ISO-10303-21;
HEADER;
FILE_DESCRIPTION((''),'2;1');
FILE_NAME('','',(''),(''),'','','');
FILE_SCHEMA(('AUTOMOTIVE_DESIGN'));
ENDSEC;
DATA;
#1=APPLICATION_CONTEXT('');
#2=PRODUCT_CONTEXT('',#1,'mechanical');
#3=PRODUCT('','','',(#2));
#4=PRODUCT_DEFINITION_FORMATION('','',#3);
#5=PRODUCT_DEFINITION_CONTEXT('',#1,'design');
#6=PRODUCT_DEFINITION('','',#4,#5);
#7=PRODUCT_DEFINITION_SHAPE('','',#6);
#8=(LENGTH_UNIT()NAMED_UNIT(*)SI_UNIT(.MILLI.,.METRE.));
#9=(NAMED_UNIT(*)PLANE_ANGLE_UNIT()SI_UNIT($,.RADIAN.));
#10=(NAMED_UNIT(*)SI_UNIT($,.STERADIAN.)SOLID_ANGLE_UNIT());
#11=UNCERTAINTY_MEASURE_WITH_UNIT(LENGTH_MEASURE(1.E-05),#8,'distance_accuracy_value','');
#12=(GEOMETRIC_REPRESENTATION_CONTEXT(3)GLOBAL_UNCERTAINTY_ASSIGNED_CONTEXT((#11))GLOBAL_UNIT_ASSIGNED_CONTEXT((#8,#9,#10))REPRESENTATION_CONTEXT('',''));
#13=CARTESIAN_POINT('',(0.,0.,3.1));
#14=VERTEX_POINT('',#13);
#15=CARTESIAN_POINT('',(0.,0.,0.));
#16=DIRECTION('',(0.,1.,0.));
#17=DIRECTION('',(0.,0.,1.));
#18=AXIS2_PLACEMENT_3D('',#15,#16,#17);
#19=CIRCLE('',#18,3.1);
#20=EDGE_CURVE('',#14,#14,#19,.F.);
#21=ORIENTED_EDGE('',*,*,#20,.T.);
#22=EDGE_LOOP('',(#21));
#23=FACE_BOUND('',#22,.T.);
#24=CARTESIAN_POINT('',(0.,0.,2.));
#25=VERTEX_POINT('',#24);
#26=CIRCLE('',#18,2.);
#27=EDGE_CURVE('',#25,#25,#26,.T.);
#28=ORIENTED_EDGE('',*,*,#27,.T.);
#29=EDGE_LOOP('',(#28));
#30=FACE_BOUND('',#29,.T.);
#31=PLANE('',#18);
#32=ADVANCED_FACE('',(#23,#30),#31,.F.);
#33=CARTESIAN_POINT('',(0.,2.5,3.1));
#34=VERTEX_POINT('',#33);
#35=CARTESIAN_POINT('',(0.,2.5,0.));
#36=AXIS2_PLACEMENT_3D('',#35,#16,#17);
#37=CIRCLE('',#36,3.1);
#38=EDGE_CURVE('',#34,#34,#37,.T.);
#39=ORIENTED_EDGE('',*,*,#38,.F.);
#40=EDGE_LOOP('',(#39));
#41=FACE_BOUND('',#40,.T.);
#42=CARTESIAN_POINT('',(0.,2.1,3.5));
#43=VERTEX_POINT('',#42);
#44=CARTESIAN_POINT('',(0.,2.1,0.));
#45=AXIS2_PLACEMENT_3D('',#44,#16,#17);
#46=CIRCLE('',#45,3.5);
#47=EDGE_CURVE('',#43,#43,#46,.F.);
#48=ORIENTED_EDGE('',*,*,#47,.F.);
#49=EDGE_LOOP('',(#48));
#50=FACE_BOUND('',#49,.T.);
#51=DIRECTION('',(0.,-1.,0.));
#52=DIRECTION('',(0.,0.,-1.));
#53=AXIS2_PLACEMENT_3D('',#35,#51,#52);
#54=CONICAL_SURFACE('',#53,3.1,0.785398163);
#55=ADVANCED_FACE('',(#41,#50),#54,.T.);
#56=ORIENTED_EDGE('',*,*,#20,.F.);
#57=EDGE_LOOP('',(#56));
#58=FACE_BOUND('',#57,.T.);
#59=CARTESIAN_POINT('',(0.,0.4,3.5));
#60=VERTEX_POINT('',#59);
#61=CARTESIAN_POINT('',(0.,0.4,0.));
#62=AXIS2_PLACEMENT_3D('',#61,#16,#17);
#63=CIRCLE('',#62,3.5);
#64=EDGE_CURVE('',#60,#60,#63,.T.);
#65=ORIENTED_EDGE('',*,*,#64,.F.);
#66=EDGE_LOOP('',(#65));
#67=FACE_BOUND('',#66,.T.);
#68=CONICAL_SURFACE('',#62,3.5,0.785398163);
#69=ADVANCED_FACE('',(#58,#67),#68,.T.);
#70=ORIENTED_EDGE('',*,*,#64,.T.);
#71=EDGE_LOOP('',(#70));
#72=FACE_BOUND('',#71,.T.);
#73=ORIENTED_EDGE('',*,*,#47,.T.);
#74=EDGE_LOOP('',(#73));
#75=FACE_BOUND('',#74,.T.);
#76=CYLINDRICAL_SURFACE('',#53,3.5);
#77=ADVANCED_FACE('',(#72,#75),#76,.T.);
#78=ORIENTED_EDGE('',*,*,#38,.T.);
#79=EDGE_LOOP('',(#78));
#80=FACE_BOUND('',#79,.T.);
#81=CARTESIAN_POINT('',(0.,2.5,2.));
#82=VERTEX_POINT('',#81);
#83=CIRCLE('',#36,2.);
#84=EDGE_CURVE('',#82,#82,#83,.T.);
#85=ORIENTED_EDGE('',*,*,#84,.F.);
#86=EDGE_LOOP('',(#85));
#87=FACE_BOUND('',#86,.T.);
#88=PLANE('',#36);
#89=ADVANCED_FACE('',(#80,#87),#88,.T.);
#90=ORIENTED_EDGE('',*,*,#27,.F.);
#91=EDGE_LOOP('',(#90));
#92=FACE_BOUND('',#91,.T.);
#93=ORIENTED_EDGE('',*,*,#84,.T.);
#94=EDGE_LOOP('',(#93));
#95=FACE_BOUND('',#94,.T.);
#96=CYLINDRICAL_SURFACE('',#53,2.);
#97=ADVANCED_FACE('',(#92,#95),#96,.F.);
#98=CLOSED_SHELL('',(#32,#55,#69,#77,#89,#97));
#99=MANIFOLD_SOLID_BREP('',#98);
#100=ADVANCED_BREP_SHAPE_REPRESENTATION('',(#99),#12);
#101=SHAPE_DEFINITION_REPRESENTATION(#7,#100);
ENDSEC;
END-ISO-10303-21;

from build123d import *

# Parameters (mm, degrees)
SKETCH_1_R      = 3.5
SKETCH_1_R_2    = 2
EXTRUDE_1_DEPTH = 2.5
CHAMFER_1_SIZE  = 0.4


with BuildPart() as part:
    # 草图1 → 凸台-拉伸1 (new body)
    with BuildSketch(Plane(origin=(0, 0, 0), x_dir=(1, 0, 0), z_dir=(0, 1, 0))):
        with Locations(Location((0, 0, 0), (0, 0, 270))):
            Circle(SKETCH_1_R)
        with Locations(Location((0, 0, 0), (0, 0, 270))):
            Circle(SKETCH_1_R_2, mode=Mode.SUBTRACT)
    extrude(amount=EXTRUDE_1_DEPTH)

    # 倒角1
    chamfer_1_edges = [part.edges().sort_by_distance(p)[0] for p in [
        (0, 0, -3.5),
        (0, 2.5, -3.5),
    ]]
    chamfer(chamfer_1_edges, length=CHAMFER_1_SIZE)


solid = part.part
